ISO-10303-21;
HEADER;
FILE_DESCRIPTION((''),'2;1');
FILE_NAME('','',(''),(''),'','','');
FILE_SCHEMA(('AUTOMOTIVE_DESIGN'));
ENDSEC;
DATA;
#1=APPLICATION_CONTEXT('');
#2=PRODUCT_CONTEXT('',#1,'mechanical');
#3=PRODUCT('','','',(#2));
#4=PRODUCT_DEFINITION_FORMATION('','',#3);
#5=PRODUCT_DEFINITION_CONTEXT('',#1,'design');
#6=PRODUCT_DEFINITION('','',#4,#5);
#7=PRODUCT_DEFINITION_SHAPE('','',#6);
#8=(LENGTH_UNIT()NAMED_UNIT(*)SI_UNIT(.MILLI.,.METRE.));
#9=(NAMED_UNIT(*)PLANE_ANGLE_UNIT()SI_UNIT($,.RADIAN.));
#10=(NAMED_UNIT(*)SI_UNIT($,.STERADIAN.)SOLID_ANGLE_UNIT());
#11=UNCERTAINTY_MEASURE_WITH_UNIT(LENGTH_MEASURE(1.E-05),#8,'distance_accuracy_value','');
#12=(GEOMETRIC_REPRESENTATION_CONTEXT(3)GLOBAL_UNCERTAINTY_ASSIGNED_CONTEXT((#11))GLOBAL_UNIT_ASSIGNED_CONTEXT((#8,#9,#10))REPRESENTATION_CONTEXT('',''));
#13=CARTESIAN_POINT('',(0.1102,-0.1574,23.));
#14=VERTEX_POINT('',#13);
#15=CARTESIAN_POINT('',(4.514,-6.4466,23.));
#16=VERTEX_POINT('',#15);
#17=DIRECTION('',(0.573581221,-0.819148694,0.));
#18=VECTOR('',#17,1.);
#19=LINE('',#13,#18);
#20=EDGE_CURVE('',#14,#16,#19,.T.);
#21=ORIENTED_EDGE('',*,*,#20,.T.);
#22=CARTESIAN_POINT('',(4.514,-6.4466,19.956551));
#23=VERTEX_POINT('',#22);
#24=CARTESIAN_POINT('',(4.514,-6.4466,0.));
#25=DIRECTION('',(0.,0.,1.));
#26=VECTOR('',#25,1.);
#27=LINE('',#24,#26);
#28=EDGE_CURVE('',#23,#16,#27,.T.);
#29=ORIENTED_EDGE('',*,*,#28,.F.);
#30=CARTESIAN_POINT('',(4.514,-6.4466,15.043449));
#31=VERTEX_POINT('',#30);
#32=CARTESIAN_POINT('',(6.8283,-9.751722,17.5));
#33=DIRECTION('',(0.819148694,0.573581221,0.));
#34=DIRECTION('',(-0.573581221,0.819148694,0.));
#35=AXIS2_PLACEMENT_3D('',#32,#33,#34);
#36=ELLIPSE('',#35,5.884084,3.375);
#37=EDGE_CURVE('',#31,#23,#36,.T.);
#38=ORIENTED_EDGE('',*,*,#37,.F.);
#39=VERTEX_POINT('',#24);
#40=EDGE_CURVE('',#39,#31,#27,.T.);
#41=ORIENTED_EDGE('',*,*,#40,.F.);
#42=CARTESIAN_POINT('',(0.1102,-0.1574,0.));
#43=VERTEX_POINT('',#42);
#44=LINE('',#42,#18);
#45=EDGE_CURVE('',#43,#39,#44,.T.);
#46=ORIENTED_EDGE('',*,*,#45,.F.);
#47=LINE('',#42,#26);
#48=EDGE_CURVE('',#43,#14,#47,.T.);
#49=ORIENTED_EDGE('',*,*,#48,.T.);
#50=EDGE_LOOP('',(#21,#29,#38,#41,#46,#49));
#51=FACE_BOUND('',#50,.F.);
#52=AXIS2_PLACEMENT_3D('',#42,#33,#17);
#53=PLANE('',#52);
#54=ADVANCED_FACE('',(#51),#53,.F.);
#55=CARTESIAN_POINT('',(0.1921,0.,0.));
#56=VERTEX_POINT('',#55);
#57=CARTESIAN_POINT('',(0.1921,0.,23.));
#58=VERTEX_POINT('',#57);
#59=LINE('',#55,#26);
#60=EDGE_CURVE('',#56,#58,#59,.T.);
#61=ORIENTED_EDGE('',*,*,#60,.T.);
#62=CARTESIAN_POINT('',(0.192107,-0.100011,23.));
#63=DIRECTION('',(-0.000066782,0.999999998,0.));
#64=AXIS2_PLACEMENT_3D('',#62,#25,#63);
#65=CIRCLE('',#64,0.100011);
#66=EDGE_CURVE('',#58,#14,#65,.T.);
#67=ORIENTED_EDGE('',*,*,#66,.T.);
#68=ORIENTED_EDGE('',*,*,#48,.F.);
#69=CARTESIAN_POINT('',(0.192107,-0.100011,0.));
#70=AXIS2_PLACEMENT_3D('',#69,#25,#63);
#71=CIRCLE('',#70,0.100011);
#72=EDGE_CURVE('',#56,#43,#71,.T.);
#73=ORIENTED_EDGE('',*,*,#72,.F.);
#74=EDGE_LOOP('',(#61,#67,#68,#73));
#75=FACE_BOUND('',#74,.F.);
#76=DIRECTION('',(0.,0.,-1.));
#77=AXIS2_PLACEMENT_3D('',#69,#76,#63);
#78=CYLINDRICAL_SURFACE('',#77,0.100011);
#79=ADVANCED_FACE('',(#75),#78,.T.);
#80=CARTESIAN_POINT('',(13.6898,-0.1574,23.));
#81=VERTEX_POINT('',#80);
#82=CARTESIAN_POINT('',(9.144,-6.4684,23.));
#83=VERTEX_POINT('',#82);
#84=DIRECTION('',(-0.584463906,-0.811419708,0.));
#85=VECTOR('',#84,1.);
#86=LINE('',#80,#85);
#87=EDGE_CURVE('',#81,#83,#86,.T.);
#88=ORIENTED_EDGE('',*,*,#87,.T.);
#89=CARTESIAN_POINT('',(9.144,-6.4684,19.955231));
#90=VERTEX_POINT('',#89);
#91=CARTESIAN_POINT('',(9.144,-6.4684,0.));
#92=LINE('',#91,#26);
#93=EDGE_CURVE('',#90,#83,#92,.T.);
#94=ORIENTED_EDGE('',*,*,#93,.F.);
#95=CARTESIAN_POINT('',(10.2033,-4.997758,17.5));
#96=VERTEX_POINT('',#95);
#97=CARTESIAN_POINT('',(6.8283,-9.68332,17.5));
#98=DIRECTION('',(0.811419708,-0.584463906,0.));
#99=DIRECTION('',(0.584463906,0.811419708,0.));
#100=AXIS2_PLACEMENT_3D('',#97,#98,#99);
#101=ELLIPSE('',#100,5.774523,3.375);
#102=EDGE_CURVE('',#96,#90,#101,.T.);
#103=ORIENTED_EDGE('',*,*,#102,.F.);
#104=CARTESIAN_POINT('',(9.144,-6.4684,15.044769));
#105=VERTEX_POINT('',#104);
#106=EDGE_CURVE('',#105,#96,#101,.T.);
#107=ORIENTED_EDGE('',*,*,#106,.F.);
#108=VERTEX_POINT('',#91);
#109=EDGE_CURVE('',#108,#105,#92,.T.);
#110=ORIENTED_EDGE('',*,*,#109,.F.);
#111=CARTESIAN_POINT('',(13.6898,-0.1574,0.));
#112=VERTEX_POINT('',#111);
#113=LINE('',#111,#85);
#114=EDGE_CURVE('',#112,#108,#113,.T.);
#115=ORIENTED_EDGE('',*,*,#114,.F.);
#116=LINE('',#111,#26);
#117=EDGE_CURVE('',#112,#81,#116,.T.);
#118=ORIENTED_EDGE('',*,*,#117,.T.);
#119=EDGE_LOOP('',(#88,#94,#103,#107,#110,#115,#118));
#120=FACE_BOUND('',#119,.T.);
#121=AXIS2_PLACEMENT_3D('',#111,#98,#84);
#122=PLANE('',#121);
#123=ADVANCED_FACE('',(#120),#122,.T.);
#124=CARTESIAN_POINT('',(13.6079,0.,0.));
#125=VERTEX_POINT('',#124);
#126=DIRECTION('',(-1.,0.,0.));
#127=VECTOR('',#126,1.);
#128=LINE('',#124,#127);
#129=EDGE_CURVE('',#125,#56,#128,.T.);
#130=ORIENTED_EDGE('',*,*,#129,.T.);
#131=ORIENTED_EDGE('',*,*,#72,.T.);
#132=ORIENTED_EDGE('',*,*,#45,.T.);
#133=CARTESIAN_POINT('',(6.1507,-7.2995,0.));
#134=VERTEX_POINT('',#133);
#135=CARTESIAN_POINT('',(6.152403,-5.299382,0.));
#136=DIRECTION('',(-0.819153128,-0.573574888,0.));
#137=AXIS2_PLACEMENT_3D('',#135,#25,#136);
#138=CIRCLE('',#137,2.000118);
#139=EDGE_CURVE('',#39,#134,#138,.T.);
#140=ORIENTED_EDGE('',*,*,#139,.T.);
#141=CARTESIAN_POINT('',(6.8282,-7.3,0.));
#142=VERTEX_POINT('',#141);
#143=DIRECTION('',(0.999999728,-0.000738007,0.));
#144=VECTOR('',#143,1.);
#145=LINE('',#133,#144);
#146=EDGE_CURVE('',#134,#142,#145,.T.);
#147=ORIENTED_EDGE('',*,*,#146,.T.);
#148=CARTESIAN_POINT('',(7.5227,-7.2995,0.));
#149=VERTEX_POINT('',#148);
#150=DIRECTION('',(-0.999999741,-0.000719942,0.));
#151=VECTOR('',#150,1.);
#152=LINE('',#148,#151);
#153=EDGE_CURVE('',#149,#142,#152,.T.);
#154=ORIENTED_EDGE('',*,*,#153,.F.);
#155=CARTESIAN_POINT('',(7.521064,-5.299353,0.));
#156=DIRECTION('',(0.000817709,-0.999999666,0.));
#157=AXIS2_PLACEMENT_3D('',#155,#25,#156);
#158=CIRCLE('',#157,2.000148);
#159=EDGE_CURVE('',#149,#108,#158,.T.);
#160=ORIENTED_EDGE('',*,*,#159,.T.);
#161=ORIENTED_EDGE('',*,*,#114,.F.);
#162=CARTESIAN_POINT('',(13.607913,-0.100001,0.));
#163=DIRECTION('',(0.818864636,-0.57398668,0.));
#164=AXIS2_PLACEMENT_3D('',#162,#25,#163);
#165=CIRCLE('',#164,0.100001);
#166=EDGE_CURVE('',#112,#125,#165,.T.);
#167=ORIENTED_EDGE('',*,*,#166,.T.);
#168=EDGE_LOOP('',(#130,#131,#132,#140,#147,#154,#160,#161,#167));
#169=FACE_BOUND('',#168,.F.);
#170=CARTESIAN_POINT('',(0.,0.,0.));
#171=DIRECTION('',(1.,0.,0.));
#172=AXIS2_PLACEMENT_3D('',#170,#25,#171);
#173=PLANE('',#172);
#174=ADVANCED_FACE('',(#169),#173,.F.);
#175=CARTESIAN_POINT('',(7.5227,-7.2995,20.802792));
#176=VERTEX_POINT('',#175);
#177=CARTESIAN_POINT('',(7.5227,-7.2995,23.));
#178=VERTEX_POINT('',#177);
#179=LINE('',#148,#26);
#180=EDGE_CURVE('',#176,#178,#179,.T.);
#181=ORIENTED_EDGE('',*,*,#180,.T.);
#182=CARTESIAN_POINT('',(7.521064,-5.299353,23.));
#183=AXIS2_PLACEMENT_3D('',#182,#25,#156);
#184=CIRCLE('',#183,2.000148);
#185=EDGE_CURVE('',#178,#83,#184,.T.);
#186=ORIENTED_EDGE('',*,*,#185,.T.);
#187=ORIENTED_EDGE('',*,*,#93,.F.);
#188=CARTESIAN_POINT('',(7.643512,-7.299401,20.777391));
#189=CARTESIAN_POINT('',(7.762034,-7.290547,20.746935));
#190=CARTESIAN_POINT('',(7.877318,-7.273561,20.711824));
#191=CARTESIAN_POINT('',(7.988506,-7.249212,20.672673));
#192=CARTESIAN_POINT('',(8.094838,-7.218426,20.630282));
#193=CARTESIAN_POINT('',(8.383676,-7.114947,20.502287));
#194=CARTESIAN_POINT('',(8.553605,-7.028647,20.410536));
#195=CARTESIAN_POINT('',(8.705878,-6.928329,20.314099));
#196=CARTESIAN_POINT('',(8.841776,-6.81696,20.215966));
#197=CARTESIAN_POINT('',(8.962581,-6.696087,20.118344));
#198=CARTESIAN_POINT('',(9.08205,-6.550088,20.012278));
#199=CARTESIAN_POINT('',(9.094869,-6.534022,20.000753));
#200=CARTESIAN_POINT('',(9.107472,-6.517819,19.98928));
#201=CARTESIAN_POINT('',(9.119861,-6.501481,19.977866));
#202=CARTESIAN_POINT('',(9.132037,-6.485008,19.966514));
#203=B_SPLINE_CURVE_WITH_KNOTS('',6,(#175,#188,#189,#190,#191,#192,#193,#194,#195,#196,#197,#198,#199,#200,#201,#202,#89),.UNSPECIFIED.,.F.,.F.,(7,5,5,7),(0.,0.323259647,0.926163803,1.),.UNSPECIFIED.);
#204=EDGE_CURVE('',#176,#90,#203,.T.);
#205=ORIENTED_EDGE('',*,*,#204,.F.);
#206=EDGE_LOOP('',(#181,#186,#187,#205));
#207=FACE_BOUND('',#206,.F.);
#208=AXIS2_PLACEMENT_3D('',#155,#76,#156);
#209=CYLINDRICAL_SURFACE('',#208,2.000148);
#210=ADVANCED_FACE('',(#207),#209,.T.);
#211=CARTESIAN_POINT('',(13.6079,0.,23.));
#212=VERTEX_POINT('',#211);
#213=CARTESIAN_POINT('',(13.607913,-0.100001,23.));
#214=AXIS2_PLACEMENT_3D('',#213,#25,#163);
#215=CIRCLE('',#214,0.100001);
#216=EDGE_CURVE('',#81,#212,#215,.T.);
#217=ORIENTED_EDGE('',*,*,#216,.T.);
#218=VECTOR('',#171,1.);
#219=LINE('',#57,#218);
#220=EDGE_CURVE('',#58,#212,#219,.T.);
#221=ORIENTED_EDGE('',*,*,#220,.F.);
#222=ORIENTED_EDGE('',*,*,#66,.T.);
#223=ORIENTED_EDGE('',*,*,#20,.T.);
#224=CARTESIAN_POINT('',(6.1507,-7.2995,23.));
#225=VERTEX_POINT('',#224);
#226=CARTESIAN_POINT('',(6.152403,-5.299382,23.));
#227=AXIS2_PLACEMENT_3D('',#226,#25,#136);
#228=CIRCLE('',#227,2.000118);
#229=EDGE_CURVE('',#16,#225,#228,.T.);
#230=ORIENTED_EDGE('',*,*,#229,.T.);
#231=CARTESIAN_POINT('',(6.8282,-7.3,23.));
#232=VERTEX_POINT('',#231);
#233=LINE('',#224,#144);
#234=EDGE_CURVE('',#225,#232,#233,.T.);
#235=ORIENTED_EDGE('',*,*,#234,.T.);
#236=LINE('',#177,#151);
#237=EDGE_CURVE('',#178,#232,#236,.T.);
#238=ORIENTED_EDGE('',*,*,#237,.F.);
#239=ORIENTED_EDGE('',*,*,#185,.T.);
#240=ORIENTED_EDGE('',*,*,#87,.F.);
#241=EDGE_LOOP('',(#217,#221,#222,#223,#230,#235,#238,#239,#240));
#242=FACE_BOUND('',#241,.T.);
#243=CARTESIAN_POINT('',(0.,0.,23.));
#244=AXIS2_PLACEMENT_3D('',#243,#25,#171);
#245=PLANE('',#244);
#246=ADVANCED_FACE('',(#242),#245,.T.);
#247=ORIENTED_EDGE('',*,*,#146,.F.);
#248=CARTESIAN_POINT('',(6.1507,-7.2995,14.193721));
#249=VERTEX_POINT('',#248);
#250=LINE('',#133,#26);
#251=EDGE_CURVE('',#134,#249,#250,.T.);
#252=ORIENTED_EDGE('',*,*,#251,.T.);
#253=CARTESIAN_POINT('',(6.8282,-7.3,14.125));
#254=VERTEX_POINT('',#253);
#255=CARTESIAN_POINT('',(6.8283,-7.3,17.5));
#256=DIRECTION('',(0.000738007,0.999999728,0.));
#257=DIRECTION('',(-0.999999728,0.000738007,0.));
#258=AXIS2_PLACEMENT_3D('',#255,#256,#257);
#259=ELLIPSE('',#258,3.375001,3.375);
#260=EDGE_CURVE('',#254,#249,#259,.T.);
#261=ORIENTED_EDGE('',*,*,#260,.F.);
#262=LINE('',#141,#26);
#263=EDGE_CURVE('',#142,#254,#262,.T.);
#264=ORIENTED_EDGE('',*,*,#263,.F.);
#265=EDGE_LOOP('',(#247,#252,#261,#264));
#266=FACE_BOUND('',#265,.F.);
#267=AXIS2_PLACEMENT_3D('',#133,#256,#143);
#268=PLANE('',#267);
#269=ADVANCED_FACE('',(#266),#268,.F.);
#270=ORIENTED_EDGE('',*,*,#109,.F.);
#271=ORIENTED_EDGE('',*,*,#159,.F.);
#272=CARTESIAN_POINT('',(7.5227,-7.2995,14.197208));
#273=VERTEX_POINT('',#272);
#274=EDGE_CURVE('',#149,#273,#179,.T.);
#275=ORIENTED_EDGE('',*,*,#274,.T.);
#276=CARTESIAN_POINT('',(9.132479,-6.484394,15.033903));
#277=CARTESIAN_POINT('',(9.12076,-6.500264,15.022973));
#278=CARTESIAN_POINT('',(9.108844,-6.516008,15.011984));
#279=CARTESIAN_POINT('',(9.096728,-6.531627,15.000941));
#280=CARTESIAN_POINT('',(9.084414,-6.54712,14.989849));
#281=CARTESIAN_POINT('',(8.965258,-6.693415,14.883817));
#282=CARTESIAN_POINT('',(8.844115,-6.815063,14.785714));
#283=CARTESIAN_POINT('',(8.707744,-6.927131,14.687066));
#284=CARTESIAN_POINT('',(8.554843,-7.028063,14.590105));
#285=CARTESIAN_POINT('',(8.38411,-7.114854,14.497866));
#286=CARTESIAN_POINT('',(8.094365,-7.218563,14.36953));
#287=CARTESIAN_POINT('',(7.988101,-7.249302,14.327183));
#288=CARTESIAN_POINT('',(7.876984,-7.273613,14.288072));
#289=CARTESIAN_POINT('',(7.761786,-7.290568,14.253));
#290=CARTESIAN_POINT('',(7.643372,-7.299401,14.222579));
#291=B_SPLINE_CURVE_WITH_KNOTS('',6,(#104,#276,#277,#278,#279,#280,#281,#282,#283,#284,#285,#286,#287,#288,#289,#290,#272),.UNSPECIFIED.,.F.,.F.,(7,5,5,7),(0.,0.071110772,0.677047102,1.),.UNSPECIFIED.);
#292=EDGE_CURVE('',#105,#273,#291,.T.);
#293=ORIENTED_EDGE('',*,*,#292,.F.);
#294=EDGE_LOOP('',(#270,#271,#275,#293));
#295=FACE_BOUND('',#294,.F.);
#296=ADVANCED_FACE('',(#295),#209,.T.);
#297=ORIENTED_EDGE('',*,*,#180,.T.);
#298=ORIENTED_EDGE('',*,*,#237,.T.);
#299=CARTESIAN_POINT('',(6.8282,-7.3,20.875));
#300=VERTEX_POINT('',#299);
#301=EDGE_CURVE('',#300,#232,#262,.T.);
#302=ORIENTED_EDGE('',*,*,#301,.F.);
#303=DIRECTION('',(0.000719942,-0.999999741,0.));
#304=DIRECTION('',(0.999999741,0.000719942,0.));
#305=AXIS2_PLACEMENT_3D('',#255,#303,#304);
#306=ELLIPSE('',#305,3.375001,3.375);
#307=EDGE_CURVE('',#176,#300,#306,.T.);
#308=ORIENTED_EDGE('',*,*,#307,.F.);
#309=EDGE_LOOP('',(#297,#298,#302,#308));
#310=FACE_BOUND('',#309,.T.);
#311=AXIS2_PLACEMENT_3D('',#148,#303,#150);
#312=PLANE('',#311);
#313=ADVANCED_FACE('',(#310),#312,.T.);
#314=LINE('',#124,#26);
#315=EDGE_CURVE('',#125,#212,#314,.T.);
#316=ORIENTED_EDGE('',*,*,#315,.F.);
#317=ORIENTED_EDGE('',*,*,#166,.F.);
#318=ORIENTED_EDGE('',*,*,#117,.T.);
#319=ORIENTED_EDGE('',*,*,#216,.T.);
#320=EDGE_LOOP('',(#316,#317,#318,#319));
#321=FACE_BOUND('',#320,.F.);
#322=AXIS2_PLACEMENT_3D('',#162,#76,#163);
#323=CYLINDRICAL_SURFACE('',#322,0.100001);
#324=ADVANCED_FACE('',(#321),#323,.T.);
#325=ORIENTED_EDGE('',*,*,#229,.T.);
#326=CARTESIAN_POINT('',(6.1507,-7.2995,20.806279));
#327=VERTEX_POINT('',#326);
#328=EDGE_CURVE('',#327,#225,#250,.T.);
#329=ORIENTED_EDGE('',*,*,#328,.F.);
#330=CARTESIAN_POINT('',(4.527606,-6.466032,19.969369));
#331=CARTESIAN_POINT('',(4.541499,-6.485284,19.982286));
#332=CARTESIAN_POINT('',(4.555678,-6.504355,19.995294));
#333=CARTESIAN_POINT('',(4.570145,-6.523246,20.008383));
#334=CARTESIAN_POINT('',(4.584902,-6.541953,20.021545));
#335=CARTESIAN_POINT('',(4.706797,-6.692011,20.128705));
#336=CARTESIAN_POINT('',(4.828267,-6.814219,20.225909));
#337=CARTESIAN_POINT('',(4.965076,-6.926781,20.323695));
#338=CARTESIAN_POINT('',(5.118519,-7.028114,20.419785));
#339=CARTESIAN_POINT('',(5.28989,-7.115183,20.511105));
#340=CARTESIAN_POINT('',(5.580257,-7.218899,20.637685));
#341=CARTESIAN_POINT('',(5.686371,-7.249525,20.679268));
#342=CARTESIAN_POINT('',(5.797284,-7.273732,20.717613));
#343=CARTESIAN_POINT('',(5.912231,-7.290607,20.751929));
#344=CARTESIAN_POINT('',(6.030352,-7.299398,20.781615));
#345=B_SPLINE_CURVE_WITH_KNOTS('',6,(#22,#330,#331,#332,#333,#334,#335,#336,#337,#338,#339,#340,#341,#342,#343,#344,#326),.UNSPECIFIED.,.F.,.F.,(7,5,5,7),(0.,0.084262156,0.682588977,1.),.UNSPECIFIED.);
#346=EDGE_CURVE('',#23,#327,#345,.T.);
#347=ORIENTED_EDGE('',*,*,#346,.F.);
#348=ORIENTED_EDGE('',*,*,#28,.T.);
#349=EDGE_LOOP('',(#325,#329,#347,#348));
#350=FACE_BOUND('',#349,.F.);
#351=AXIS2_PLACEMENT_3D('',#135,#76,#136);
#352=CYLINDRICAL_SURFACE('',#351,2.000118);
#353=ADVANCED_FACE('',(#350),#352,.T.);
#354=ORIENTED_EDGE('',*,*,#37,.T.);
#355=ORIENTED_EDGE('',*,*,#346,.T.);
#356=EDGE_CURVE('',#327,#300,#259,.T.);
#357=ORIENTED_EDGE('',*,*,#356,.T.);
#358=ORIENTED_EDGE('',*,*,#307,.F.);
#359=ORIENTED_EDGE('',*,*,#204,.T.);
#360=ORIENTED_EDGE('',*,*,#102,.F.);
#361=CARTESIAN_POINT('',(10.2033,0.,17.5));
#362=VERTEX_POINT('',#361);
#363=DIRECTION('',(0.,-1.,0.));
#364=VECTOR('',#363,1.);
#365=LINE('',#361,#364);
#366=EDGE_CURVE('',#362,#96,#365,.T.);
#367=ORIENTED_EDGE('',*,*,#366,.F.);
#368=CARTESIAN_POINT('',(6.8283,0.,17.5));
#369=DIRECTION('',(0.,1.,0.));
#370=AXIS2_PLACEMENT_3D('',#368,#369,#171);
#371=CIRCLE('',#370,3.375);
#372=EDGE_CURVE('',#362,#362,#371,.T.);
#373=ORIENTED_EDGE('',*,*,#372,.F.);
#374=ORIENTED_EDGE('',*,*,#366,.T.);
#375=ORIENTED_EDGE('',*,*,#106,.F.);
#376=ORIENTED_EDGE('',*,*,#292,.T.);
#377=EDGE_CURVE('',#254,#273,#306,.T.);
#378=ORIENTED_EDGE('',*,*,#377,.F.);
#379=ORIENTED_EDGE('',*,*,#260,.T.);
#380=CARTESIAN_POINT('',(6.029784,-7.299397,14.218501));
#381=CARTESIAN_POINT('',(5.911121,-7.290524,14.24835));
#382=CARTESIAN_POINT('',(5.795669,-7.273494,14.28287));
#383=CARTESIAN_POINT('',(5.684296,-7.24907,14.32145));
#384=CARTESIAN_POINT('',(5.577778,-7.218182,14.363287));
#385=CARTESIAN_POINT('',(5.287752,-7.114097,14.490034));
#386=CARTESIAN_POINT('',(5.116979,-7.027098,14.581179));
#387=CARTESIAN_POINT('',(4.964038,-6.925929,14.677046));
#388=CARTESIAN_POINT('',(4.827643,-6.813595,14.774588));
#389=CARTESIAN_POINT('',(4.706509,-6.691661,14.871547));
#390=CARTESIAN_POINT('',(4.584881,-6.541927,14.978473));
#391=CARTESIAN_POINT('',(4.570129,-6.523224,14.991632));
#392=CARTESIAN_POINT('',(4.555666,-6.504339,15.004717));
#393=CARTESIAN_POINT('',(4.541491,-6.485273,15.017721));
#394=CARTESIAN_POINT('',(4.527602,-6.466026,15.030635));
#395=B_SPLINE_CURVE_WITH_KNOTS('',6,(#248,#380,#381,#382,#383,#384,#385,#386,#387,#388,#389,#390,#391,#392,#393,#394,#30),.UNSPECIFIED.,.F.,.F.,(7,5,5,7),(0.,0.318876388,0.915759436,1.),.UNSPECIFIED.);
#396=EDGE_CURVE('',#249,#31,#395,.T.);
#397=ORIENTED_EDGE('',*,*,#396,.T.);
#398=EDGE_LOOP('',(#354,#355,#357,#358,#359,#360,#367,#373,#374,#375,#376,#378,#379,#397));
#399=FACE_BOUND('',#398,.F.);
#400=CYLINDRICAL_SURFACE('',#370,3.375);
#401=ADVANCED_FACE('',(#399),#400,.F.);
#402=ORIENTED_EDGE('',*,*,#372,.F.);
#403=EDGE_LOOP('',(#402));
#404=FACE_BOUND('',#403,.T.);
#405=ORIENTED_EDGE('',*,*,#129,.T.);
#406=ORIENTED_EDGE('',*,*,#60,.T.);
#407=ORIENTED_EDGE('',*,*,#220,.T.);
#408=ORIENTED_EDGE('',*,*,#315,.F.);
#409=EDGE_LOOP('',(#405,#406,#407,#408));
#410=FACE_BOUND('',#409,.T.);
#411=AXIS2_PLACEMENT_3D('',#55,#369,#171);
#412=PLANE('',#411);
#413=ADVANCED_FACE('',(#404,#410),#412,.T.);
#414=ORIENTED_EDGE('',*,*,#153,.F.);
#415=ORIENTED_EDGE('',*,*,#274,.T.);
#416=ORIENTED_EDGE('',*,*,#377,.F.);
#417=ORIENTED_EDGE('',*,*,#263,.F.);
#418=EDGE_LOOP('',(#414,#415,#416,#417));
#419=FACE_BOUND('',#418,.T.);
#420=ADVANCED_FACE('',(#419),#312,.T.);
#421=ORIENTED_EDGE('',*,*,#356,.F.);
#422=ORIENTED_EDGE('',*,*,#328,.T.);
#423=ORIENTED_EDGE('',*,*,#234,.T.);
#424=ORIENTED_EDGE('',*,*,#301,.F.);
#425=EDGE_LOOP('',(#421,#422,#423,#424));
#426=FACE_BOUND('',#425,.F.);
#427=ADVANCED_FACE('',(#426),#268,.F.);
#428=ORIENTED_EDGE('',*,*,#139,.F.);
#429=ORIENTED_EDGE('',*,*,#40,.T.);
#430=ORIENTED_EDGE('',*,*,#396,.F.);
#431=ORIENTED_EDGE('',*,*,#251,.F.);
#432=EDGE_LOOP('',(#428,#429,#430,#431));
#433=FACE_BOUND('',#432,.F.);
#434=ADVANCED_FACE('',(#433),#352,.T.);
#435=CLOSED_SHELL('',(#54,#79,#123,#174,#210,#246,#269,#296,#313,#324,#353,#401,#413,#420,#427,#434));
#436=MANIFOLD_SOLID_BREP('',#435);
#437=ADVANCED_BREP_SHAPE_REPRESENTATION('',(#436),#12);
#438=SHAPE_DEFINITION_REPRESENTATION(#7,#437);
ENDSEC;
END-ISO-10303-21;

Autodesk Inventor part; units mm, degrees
ref_plane "YZ Plane" through (0, 0, 0) normal (1, 0, 0) x (0, 1, 0)
ref_plane "XZ Plane" through (0, 0, 0) normal (0, 1, 0) x (-1, 0, 0)
ref_plane "XY Plane" through (0, 0, 0) normal (0, 0, 1) x (1, 0, 0)
sketch "Boceto1" plane through (0, 0, 0) normal (0, 0, 1) x (1, 0, 0)
  line L0 (0.1921, 0) -> (13.6079, 0)
  line L1 (0.1102, -0.1574) -> (4.514, -6.4466)
  line L2 (0, 0) -> (7.6778, 0) construction
  line L3 (6.1507, -7.2995) -> (6.8282, -7.3)
  arc A0 (0.1921, 0) -> (0.1102, -0.1574) centre (0.1921, -0.1) ccw
  arc A1 (13.6898, -0.1574) -> (13.6079, 0) centre (13.6079, -0.1) ccw
  line L4 (6.8282, 0) -> (6.8282, -7.3)
  line L5 (13.6898, -0.1574) -> (9.144, -6.4684)
  line L6 (7.5227, -7.2995) -> (6.8282, -7.3)
  arc A2 (7.5227, -7.2995) -> (9.144, -6.4684) centre (7.5211, -5.2995) ccw
  arc A3 (4.514, -6.4466) -> (6.1507, -7.2995) centre (6.1523, -5.2995) ccw
  point P0 (13.8, 0)
  point P1 (5.1106, -7.2986)
  point P2 (8.5459, -7.2986)
  dimension "d7" = 13.8
  dimension "d9" = 8.91
  dimension "d10" = 55
  dimension "d11" = 0.1
  dimension "d14" = 2
  dimension "d15" = 7.3
extrude "Extrusión1" add sketch "Boceto1" along normal blind 23
sketch "Boceto2" plane through (0.1921, 0, 0) normal (0, 1, 0) x (1, 0, 0)
  circle A0 centre (6.6362, -17.5) radius 3.375
  point P0 (-0.1921, 0)
  point P1 (6.6362, -23)
  dimension "d17" = 6.75
extrude "Extrusión2" cut sketch "Boceto2" against normal blind 7.3
properties part number "Tuerca" material "Acero, galvanizado"
